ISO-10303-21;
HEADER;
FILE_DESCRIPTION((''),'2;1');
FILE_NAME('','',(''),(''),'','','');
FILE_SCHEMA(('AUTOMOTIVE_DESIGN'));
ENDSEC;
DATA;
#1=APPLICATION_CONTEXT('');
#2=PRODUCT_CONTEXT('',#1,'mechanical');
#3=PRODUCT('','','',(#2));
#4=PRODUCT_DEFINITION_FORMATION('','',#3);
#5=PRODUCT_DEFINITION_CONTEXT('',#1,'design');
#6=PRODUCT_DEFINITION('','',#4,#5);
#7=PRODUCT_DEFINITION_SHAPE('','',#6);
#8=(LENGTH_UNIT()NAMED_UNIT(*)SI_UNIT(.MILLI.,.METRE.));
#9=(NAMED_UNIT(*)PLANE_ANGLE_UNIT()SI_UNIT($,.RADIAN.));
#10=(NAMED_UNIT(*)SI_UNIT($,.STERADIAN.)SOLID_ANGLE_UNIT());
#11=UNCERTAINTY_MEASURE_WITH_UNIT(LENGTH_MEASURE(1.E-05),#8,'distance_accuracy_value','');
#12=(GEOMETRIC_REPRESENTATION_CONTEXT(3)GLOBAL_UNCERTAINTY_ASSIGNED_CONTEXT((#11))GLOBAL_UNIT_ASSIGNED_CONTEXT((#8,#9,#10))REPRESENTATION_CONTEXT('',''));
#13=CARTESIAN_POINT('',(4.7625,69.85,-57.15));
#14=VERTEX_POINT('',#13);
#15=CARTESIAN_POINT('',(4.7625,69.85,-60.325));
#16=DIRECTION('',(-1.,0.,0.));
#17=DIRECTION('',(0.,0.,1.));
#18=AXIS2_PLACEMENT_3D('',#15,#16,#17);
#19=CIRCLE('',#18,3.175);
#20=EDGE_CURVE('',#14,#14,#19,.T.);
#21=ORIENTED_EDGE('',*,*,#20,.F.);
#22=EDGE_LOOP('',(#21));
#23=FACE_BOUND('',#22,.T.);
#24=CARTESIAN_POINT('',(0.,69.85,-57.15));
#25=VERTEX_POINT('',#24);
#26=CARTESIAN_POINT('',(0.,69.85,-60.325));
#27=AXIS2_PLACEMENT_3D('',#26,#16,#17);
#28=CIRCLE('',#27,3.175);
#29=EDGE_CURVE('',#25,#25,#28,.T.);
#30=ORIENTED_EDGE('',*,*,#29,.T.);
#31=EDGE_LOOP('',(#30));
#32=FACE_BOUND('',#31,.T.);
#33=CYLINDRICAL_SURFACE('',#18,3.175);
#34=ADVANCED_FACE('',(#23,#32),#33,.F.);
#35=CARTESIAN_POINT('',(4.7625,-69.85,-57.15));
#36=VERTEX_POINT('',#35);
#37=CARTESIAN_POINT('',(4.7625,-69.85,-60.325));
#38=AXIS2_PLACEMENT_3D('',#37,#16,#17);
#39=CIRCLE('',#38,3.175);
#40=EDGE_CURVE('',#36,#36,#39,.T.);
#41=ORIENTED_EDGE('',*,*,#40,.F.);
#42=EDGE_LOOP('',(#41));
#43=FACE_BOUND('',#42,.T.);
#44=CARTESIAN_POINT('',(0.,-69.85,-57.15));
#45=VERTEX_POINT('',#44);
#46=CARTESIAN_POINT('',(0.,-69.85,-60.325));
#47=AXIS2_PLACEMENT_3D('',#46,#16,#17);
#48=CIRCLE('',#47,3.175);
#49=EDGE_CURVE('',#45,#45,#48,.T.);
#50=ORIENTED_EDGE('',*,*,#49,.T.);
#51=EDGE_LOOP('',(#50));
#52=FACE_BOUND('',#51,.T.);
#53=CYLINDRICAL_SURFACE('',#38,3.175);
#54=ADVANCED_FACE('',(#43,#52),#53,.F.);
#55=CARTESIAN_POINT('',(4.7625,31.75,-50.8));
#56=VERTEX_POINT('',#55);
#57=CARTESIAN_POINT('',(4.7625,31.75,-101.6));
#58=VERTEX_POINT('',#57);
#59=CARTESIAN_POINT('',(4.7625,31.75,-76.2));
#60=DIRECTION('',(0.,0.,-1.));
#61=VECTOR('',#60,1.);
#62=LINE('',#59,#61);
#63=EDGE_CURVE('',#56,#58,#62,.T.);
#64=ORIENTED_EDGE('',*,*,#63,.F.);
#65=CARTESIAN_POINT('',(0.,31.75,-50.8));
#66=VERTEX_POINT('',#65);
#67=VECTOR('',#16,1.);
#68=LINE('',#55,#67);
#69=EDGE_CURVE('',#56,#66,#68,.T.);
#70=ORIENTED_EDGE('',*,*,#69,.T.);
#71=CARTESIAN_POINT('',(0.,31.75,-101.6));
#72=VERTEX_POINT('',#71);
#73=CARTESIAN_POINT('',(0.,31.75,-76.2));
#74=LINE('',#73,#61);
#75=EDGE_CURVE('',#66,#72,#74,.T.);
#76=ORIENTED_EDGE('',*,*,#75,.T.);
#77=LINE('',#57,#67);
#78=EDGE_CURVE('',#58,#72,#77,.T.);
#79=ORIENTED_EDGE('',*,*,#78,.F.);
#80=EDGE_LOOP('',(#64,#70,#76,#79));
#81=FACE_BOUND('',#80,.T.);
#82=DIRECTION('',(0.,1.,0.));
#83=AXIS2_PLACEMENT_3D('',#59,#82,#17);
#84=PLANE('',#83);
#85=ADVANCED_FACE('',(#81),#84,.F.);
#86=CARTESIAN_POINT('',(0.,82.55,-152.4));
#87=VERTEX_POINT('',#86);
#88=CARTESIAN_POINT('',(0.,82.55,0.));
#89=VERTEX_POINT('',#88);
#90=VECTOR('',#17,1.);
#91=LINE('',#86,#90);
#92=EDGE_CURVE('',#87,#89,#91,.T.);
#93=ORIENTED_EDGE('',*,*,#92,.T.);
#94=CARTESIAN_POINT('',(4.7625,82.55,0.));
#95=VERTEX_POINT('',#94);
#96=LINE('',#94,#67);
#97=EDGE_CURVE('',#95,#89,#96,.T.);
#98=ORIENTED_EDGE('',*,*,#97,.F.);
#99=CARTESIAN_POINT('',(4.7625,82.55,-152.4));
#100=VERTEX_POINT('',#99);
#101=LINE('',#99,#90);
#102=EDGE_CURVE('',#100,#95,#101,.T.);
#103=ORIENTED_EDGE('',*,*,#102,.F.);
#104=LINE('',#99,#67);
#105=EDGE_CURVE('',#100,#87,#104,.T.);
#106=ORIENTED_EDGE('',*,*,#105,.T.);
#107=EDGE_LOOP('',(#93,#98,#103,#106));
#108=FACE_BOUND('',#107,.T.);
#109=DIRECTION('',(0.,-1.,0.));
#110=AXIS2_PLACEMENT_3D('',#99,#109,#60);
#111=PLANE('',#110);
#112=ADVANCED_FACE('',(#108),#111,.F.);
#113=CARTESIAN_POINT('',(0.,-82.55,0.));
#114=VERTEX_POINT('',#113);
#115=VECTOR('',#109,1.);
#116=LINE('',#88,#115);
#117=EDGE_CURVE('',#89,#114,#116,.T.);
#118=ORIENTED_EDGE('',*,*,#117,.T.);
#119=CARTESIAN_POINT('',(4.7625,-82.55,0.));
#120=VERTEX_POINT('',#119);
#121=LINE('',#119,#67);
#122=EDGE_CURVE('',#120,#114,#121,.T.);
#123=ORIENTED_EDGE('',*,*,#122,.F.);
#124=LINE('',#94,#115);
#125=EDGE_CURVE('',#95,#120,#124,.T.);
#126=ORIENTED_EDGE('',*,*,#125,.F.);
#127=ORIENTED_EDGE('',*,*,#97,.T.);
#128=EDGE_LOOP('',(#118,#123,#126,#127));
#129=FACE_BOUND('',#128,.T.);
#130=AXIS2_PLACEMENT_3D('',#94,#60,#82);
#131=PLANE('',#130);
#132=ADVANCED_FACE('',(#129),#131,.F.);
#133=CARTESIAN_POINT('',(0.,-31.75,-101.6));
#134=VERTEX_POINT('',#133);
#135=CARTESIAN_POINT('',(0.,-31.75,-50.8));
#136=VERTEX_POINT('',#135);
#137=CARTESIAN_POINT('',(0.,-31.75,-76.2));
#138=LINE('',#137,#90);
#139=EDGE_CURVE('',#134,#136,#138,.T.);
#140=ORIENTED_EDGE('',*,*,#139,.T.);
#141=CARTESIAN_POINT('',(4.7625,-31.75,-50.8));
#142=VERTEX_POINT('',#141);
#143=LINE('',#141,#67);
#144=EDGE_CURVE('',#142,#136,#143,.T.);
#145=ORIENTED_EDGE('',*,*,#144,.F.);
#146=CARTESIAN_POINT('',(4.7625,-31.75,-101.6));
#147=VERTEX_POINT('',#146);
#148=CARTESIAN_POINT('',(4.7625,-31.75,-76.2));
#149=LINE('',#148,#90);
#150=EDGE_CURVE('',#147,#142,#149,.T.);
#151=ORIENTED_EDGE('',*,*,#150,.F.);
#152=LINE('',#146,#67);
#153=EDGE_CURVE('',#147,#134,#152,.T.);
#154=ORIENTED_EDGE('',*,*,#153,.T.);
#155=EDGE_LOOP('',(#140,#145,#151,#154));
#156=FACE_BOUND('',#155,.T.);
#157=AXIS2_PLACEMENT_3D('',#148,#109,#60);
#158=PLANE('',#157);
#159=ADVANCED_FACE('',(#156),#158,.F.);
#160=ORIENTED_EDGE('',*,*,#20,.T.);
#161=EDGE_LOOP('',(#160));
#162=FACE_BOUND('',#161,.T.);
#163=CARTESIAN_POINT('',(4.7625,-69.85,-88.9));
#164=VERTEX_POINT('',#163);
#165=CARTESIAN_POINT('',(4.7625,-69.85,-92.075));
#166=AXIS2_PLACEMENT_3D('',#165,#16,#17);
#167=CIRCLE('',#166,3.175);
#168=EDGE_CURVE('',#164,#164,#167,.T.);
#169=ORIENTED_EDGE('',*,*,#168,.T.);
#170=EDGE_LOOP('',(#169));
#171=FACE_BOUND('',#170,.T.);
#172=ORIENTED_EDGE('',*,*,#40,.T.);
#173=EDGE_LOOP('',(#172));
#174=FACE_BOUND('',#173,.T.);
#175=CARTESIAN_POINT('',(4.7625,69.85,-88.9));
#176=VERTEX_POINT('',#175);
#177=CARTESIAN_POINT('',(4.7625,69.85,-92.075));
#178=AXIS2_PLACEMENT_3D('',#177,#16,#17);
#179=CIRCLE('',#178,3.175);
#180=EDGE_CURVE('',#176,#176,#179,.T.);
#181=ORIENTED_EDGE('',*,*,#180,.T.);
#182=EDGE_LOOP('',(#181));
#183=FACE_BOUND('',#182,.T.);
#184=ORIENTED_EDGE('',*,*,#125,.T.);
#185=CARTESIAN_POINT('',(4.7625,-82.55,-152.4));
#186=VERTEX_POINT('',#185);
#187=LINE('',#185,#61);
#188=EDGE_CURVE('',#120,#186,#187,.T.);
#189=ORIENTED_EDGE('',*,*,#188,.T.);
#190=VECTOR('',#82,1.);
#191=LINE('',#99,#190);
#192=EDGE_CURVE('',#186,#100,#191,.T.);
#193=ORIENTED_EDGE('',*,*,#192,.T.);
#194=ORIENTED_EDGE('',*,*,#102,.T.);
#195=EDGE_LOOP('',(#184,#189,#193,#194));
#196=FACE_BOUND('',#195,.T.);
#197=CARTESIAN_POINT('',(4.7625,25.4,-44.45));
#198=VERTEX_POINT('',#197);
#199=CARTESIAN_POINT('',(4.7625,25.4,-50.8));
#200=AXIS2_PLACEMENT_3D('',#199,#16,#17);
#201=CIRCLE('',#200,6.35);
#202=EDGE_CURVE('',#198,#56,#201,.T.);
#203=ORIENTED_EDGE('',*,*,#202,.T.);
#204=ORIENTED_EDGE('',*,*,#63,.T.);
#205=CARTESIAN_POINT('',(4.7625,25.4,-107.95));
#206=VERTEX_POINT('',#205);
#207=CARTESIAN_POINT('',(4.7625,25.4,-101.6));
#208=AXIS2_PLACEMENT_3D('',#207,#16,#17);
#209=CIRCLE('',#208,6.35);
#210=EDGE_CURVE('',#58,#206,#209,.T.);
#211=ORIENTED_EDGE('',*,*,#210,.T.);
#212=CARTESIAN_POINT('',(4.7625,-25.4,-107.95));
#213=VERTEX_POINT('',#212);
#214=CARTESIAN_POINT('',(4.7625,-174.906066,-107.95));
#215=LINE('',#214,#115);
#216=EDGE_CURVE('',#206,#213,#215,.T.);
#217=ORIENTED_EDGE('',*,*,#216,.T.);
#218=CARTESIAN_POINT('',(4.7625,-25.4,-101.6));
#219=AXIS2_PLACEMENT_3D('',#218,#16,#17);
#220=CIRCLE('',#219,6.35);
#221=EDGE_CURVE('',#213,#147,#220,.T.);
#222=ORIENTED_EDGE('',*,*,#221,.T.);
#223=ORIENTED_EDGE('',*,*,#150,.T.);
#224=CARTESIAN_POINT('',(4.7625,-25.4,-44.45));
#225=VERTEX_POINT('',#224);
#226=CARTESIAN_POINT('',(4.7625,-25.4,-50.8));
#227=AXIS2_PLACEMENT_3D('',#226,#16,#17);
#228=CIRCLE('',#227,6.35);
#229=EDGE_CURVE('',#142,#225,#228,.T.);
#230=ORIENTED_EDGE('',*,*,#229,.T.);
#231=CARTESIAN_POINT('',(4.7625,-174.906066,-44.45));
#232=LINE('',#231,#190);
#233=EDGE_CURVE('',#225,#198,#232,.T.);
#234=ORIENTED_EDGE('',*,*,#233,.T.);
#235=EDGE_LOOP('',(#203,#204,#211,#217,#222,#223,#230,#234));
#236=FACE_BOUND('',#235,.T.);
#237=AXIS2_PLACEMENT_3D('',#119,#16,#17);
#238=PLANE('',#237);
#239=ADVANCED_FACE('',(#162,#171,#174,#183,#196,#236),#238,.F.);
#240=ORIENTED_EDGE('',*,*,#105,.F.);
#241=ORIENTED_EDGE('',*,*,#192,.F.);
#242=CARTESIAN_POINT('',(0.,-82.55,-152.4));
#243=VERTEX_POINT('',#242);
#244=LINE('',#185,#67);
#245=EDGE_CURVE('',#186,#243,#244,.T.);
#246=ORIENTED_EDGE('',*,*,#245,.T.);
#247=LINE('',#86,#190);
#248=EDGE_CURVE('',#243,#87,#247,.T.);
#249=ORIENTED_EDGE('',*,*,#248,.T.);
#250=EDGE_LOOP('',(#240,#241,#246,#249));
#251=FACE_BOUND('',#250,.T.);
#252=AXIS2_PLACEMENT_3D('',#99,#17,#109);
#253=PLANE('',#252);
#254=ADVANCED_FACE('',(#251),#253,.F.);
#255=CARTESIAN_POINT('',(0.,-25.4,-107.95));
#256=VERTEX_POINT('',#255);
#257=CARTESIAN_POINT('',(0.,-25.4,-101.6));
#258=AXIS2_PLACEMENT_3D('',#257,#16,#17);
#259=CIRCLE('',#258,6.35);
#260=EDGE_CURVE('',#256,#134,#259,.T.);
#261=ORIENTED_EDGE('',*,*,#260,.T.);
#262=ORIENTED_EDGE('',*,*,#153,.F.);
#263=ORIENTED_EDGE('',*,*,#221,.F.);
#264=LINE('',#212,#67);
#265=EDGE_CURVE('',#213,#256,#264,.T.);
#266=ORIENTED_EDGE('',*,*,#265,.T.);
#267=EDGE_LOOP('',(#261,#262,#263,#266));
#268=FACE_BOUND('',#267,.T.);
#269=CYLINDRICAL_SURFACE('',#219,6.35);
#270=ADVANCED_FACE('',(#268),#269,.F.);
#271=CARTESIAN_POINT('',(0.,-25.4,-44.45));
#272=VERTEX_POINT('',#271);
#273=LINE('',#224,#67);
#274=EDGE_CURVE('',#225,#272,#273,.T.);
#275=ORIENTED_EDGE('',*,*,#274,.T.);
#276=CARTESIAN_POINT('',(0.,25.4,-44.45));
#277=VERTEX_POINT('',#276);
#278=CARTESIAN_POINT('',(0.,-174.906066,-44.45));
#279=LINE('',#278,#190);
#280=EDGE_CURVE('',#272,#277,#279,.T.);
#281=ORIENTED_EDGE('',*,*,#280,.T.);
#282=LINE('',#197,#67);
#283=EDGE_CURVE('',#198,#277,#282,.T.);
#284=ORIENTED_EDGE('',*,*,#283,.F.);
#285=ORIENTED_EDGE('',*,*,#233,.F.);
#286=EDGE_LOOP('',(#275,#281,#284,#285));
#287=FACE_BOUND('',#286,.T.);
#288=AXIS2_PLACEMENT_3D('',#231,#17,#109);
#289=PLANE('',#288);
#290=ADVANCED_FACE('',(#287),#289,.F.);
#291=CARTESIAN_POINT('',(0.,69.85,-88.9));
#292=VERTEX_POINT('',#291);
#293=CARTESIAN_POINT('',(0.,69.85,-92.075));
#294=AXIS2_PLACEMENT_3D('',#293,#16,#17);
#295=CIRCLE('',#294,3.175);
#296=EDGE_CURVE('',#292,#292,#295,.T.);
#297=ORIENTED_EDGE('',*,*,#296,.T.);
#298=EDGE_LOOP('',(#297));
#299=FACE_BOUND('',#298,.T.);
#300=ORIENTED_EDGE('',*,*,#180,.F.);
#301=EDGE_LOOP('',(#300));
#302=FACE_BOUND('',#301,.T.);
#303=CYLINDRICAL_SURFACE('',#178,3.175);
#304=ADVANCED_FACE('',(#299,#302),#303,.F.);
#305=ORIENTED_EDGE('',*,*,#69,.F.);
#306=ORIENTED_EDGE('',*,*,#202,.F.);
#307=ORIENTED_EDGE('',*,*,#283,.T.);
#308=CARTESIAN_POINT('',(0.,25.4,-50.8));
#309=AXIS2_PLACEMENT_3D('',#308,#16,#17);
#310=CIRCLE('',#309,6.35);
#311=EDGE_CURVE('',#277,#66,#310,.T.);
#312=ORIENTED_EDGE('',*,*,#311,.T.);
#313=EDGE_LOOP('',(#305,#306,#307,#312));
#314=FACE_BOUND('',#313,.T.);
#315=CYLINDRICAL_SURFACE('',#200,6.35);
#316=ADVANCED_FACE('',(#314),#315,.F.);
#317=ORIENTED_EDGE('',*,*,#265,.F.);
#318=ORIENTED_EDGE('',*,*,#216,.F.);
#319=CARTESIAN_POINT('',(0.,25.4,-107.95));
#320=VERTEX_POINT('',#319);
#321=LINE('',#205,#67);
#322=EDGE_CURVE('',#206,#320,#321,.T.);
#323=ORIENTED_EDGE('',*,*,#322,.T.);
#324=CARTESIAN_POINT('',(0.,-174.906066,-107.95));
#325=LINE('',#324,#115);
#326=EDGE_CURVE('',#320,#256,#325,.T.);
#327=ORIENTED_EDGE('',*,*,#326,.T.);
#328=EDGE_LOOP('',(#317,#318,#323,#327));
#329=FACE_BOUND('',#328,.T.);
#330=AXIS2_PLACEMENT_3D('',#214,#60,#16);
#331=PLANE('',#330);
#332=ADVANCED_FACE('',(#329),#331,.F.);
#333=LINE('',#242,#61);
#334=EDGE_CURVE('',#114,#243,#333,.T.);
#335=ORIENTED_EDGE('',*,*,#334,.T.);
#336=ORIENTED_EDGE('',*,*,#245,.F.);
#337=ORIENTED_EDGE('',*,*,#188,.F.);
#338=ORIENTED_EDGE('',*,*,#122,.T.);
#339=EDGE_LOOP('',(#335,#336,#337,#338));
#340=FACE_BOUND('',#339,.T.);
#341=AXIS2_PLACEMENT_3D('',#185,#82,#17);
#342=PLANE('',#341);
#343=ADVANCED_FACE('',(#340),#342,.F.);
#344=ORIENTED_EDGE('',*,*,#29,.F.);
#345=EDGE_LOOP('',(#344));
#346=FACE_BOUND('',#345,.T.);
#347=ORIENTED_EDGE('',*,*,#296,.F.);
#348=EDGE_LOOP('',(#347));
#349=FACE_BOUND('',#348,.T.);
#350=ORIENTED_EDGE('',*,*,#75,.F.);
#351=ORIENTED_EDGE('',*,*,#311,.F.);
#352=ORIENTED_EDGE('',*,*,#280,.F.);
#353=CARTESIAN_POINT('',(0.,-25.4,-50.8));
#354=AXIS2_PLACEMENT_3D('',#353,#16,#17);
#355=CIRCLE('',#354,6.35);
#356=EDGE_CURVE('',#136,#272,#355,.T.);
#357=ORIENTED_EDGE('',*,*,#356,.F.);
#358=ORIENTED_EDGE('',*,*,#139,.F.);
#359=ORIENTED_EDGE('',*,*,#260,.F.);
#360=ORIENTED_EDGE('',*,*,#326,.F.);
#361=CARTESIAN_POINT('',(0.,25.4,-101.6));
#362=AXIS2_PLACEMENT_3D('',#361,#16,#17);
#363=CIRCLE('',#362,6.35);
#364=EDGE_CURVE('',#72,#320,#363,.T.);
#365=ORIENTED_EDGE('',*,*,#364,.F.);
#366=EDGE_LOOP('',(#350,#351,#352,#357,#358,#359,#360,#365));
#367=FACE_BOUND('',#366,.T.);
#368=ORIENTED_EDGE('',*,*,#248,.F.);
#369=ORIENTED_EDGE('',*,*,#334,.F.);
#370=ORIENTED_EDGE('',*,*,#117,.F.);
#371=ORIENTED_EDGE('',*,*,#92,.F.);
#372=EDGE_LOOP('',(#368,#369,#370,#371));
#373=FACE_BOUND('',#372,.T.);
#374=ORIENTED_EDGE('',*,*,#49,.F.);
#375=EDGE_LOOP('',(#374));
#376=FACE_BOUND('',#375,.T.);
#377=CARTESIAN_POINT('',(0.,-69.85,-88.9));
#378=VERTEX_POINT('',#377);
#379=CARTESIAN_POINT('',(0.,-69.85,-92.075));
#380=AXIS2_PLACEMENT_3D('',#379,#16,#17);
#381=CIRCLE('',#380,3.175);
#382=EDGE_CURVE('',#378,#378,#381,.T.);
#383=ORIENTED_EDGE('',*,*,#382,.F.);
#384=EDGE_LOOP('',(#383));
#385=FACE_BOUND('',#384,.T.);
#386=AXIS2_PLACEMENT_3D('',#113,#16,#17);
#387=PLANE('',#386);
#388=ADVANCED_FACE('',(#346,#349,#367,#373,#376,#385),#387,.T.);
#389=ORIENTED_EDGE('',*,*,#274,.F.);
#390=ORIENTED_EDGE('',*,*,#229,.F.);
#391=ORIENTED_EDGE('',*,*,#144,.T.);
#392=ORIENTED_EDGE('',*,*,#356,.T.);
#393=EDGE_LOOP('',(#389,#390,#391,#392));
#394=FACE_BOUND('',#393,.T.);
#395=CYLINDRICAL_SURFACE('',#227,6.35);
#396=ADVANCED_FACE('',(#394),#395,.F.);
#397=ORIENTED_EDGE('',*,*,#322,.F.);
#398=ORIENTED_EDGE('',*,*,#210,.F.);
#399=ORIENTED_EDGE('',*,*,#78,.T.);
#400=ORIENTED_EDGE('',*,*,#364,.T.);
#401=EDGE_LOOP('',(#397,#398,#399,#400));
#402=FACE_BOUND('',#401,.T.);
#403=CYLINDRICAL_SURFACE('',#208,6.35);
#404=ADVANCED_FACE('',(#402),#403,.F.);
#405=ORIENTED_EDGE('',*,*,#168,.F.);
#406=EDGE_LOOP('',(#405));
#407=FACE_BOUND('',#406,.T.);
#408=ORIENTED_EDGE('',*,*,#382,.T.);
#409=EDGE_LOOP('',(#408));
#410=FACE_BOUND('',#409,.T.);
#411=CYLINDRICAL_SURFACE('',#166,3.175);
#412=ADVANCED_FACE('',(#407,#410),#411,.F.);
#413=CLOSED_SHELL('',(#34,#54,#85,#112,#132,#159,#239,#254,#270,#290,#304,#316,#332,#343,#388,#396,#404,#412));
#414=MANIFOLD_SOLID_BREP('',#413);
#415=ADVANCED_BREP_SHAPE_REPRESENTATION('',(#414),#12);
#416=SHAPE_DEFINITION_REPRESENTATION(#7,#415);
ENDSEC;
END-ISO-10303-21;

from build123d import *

# Parameters (mm, degrees)
SKETCH1_W           = 152.4
SKETCH1_H           = 165.1
BOSS_EXTRUDE1_DEPTH = 4.7625
CUT_EXTRUDE1_DEPTH  = 5.7625
SKETCH3_R           = 3.175
CUT_EXTRUDE2_DEPTH  = 5.7625


with BuildPart() as part:
    # Sketch1 → Boss-Extrude1 (new body)
    with BuildSketch(Plane(origin=(0, 0, 0), x_dir=(0, 0, -1), z_dir=(1, 0, 0))):
        with Locations((76.2, 0)):
            Rectangle(SKETCH1_W, SKETCH1_H)
    extrude(amount=BOSS_EXTRUDE1_DEPTH)

    # Sketch2 → Cut-Extrude1 (cut, through all)
    with BuildSketch(Plane.ZY):
        with BuildLine():
            Line((-107.95, 25.4), (-107.95, -25.4))
            ThreePointArc((-107.95, -25.4), (-106.090128061, -29.890128061), (-101.6, -31.75))
            Line((-101.6, -31.75), (-50.8, -31.75))
            ThreePointArc((-50.8, -31.75), (-46.309871939, -29.890128061), (-44.45, -25.4))
            Line((-44.45, -25.4), (-44.45, 25.4))
            ThreePointArc((-44.45, 25.4), (-46.309871939, 29.890128061), (-50.8, 31.75))
            Line((-50.8, 31.75), (-101.6, 31.75))
            ThreePointArc((-101.6, 31.75), (-106.090128061, 29.890128061), (-107.95, 25.4))
        make_face()
    extrude(amount=-CUT_EXTRUDE1_DEPTH, mode=Mode.SUBTRACT)

    # Sketch3 → Cut-Extrude2 (cut, through all)
    with BuildSketch(Plane.ZY):
        with Locations((-60.325, 69.85)):
            Circle(SKETCH3_R)
        with Locations((-92.075, 69.85)):
            Circle(SKETCH3_R)
        with Locations((-92.075, -69.85)):
            Circle(SKETCH3_R)
        with Locations((-60.325, -69.85)):
            Circle(SKETCH3_R)
    extrude(amount=-CUT_EXTRUDE2_DEPTH, mode=Mode.SUBTRACT)


solid = part.part
